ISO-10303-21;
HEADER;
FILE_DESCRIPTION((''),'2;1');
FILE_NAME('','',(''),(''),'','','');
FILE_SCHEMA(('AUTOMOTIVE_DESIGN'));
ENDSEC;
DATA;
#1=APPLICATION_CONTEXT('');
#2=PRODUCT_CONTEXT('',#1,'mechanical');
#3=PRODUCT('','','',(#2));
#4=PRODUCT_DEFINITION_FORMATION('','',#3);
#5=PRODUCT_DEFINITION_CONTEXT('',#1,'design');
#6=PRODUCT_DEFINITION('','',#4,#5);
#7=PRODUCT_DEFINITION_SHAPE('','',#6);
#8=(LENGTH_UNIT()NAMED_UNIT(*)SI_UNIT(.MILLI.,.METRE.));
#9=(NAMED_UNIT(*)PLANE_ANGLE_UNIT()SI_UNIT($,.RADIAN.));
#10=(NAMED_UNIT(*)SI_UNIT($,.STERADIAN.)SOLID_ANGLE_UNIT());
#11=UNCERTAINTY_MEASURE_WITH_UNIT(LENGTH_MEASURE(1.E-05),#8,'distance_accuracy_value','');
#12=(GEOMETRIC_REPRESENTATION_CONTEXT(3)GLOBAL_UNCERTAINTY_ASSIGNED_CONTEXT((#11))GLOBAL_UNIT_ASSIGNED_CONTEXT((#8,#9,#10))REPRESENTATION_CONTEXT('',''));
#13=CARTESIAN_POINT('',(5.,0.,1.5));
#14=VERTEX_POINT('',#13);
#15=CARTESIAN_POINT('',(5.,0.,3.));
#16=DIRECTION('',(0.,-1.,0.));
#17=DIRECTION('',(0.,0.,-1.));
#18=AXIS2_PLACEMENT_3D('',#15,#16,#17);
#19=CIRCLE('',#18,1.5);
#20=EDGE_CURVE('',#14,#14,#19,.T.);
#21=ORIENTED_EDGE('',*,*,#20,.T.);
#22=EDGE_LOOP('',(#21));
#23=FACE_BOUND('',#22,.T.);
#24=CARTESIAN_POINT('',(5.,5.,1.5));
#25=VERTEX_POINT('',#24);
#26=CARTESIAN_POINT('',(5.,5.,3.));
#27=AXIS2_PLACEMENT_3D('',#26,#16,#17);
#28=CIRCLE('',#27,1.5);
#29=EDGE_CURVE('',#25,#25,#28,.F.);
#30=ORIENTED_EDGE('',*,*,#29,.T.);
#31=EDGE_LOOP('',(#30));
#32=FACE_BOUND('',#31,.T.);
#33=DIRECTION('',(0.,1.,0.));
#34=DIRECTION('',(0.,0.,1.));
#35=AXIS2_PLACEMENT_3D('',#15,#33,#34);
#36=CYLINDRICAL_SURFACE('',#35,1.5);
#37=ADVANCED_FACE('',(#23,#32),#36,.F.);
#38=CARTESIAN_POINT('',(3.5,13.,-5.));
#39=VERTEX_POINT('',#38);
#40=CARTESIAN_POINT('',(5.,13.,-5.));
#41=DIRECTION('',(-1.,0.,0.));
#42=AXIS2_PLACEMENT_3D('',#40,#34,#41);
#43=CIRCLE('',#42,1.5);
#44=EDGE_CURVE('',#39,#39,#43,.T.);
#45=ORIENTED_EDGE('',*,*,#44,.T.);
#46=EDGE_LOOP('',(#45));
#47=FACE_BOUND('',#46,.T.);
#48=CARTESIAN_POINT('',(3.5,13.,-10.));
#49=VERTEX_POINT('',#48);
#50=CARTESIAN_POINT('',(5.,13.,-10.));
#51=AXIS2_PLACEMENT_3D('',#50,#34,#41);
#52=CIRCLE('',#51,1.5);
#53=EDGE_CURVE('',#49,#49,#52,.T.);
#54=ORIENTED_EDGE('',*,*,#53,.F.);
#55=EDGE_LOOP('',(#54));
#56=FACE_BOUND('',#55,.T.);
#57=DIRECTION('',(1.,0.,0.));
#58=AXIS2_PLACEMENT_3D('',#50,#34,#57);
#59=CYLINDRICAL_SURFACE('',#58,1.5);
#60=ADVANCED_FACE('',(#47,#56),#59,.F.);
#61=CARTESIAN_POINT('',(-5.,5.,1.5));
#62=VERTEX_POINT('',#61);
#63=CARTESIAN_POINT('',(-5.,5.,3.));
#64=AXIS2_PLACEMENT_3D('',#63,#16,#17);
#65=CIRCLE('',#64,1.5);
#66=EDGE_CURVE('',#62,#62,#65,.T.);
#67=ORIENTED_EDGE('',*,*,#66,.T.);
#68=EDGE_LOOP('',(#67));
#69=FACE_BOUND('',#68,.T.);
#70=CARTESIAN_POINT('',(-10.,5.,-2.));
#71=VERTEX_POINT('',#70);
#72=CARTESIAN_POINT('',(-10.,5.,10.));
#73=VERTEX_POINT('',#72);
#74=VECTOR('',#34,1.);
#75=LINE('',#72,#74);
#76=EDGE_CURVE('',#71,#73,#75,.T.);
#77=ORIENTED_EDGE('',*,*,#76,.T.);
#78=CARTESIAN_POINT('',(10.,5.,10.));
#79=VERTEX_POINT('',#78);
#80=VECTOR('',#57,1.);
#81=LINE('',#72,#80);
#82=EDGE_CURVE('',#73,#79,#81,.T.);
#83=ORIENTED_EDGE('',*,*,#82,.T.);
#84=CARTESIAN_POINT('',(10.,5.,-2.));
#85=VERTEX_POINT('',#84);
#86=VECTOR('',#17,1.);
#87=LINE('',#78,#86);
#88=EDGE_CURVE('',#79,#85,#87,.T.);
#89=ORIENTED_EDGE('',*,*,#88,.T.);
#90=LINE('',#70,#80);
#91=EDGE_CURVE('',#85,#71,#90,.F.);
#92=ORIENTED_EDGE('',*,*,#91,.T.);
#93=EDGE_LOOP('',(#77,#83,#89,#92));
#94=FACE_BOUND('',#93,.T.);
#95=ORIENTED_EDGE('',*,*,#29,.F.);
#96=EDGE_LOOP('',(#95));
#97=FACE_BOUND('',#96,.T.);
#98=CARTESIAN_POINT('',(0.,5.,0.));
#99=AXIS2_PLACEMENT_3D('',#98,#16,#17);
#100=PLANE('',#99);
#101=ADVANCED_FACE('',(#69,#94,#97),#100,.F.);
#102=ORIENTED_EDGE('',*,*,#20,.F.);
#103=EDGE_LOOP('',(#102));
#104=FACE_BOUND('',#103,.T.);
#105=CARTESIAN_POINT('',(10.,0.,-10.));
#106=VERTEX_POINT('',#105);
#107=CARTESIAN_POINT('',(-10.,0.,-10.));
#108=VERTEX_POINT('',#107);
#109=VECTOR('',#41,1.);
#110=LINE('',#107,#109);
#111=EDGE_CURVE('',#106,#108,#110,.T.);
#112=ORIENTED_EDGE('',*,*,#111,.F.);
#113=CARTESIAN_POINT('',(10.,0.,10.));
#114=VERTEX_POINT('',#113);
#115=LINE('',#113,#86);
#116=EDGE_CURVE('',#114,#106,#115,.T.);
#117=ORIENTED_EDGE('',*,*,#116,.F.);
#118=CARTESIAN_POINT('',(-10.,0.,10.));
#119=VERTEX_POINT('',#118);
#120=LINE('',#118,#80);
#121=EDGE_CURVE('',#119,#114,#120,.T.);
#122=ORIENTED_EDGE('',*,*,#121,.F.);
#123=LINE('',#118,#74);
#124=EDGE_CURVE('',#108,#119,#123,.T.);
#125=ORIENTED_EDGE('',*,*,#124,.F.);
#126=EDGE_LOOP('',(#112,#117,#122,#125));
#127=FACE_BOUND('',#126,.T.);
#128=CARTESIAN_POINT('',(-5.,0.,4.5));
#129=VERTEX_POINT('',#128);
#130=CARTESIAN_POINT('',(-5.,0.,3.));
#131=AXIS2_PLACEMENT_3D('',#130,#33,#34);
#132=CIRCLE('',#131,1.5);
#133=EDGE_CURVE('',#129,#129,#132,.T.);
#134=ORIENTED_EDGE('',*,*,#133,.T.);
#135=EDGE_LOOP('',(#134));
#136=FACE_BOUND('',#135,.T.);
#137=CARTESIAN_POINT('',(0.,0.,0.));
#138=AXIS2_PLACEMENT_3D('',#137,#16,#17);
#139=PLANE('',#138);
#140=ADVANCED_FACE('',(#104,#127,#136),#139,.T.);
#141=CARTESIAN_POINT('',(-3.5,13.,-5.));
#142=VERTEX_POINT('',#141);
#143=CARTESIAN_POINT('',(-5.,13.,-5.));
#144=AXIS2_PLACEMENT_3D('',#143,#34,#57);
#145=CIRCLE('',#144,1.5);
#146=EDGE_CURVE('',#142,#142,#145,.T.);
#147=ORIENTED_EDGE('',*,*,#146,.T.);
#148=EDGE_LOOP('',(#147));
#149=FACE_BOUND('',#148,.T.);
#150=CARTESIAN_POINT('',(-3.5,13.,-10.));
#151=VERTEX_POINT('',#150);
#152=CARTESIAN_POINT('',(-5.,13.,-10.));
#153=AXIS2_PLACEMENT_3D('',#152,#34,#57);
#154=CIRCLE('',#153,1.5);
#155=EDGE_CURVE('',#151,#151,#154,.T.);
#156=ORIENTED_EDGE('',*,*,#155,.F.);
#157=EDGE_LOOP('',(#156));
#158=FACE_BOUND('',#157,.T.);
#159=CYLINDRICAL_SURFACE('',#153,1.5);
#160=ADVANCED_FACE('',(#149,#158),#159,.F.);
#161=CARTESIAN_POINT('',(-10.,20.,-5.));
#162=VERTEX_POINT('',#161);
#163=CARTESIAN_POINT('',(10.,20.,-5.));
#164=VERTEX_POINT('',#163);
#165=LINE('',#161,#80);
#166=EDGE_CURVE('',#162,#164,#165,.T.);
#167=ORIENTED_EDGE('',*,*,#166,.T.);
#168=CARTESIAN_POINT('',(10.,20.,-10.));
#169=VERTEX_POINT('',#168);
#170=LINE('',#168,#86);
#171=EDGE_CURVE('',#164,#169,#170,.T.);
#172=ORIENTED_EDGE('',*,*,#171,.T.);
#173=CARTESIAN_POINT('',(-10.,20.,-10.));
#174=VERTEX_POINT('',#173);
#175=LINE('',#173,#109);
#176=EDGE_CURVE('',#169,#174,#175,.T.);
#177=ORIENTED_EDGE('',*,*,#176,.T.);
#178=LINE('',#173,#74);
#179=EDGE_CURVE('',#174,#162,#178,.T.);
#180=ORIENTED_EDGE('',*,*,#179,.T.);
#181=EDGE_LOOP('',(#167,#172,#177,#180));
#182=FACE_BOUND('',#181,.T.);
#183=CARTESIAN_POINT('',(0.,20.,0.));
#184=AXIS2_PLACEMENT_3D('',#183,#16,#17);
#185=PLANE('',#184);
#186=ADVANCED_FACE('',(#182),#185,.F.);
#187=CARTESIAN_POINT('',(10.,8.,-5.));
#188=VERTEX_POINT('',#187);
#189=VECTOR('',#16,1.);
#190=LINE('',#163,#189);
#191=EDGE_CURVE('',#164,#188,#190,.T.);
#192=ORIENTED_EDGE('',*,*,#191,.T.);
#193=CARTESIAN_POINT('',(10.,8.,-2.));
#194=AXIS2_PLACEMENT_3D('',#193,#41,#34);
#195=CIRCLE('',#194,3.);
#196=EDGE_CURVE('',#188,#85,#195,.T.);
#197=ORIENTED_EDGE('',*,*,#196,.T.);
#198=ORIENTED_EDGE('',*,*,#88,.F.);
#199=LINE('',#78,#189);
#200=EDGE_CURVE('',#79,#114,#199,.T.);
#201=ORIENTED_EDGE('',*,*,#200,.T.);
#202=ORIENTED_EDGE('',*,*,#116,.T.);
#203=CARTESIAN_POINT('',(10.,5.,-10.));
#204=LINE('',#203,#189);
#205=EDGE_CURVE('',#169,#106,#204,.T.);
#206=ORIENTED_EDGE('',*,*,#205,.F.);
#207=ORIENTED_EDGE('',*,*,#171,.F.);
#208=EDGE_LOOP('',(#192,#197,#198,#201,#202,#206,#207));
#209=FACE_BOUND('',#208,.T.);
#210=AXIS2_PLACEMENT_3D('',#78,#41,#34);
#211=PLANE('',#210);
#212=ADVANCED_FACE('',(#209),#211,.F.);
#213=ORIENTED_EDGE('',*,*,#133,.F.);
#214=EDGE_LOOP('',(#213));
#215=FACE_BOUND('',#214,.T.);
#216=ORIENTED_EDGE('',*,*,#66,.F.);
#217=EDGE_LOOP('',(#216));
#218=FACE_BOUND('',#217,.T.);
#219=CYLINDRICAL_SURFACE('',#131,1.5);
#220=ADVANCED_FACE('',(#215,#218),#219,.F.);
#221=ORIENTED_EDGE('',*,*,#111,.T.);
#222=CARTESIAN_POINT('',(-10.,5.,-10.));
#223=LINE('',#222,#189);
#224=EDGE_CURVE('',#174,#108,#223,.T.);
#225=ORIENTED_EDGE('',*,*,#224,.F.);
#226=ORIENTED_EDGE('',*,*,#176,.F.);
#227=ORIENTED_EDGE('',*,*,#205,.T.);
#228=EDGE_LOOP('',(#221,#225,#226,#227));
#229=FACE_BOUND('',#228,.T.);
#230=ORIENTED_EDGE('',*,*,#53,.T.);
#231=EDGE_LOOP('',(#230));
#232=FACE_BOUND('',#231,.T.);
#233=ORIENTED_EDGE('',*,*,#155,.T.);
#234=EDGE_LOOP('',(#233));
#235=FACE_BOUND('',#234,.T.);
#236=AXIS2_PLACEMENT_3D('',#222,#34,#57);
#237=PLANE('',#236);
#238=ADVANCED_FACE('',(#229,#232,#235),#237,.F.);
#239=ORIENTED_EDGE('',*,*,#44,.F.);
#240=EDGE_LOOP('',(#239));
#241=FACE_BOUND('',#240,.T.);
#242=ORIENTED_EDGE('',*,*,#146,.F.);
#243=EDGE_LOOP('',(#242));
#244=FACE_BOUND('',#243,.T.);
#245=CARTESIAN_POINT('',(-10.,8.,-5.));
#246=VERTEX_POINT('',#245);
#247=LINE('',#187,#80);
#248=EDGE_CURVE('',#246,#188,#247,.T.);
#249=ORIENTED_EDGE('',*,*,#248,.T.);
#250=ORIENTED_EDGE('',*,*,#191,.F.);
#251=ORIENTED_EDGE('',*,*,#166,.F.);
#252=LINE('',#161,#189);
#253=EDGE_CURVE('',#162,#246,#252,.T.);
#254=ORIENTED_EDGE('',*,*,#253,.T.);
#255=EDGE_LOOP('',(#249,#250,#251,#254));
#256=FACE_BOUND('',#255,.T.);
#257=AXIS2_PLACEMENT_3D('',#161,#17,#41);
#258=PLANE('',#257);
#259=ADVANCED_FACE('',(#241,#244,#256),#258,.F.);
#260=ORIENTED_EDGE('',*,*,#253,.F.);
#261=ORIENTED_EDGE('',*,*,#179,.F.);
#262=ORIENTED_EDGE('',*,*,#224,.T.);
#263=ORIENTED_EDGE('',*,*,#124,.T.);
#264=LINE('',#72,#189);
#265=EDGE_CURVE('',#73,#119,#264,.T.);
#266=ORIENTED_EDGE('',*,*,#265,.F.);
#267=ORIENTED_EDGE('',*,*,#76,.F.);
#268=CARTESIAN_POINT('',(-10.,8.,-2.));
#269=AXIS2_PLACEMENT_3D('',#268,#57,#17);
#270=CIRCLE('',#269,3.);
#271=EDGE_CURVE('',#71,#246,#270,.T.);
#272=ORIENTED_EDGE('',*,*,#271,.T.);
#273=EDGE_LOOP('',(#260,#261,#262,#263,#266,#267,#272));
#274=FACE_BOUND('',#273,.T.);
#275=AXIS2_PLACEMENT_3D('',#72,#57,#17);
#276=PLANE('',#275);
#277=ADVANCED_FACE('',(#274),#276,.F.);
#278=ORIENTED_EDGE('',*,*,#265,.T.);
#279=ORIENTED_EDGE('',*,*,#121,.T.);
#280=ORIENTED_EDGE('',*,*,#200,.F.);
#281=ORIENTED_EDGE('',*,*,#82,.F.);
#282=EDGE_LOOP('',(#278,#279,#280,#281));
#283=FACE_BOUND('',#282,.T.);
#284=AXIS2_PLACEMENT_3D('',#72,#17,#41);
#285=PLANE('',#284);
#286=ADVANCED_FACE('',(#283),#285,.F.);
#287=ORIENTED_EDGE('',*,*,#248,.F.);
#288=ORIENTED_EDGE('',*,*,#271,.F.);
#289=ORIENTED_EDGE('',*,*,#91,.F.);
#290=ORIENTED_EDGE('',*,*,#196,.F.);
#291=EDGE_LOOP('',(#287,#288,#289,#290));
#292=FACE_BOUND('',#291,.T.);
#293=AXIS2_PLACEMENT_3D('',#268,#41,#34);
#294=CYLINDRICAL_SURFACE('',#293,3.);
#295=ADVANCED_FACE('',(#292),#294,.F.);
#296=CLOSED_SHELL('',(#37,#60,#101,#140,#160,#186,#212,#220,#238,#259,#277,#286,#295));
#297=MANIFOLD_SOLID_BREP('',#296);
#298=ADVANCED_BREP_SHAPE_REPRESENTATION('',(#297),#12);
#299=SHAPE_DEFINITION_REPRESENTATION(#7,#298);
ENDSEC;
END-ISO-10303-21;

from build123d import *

# Parameters (mm, degrees)
SKETCH1_W               = 20
SKETCH1_H               = 20
BOSS_EXTRUDE1_DEPTH     = 5
SKETCH2_W               = 20
SKETCH2_H               = 5
BOSS_EXTRUDE2_DEPTH     = 15
CUT_EXTRUDE1_DEPTH      = 21.615528128
CUT_EXTRUDE1_DEPTH_BACK = 21.615528128
SKETCH3_R               = 1.5
CUT_EXTRUDE2_DEPTH      = 27.925824036
CUT_EXTRUDE2_DEPTH_BACK = 27.925824036
SKETCH4_R               = 1.5
FILLET1_R               = 3


with BuildPart() as part:
    # Sketch1 → Boss-Extrude1 (new body)
    with BuildSketch(Plane(origin=(0, 0, 0), x_dir=(1, 0, 0), z_dir=(0, 1, 0))):
        Rectangle(SKETCH1_W, SKETCH1_H)
    extrude(amount=BOSS_EXTRUDE1_DEPTH)

    # Sketch2 → Boss-Extrude2 (add)
    with BuildSketch(Plane(origin=(0, 5, 0), x_dir=(1, 0, 0), z_dir=(0, 1, 0))):
        with Locations((0, 7.5)):
            Rectangle(SKETCH2_W, SKETCH2_H)
    extrude(amount=BOSS_EXTRUDE2_DEPTH)

    # Sketch3 → Cut-Extrude1 (cut, two sides: drawn at the far end of the back side and taken through both)
    with BuildSketch(Plane(origin=(0, 5, 0), x_dir=(1, 0, 0), z_dir=(0, 1, 0)).offset(-CUT_EXTRUDE1_DEPTH_BACK)):
        with Locations(Location((-5, -3, 0), (0, 0, 270))):
            Circle(SKETCH3_R)
        with Locations(Location((5, -3, 0), (0, 0, 90))):
            Circle(SKETCH3_R)
    extrude(amount=CUT_EXTRUDE1_DEPTH + CUT_EXTRUDE1_DEPTH_BACK, mode=Mode.SUBTRACT)

    # Sketch4 → Cut-Extrude2 (cut, two sides: drawn at the far end of the back side and taken through both)
    with BuildSketch(Plane.XY.offset(-5).offset(-CUT_EXTRUDE2_DEPTH_BACK)):
        with Locations((-5, 13)):
            Circle(SKETCH4_R)
        with Locations(Location((5, 13, 0), (0, 0, 180))):
            Circle(SKETCH4_R)
    extrude(amount=CUT_EXTRUDE2_DEPTH + CUT_EXTRUDE2_DEPTH_BACK, mode=Mode.SUBTRACT)

    # Fillet1
    fillet1_edges = [part.edges().sort_by_distance(p)[0] for p in [
        (0, 5, -5),
    ]]
    fillet(fillet1_edges, radius=FILLET1_R)


solid = part.part
